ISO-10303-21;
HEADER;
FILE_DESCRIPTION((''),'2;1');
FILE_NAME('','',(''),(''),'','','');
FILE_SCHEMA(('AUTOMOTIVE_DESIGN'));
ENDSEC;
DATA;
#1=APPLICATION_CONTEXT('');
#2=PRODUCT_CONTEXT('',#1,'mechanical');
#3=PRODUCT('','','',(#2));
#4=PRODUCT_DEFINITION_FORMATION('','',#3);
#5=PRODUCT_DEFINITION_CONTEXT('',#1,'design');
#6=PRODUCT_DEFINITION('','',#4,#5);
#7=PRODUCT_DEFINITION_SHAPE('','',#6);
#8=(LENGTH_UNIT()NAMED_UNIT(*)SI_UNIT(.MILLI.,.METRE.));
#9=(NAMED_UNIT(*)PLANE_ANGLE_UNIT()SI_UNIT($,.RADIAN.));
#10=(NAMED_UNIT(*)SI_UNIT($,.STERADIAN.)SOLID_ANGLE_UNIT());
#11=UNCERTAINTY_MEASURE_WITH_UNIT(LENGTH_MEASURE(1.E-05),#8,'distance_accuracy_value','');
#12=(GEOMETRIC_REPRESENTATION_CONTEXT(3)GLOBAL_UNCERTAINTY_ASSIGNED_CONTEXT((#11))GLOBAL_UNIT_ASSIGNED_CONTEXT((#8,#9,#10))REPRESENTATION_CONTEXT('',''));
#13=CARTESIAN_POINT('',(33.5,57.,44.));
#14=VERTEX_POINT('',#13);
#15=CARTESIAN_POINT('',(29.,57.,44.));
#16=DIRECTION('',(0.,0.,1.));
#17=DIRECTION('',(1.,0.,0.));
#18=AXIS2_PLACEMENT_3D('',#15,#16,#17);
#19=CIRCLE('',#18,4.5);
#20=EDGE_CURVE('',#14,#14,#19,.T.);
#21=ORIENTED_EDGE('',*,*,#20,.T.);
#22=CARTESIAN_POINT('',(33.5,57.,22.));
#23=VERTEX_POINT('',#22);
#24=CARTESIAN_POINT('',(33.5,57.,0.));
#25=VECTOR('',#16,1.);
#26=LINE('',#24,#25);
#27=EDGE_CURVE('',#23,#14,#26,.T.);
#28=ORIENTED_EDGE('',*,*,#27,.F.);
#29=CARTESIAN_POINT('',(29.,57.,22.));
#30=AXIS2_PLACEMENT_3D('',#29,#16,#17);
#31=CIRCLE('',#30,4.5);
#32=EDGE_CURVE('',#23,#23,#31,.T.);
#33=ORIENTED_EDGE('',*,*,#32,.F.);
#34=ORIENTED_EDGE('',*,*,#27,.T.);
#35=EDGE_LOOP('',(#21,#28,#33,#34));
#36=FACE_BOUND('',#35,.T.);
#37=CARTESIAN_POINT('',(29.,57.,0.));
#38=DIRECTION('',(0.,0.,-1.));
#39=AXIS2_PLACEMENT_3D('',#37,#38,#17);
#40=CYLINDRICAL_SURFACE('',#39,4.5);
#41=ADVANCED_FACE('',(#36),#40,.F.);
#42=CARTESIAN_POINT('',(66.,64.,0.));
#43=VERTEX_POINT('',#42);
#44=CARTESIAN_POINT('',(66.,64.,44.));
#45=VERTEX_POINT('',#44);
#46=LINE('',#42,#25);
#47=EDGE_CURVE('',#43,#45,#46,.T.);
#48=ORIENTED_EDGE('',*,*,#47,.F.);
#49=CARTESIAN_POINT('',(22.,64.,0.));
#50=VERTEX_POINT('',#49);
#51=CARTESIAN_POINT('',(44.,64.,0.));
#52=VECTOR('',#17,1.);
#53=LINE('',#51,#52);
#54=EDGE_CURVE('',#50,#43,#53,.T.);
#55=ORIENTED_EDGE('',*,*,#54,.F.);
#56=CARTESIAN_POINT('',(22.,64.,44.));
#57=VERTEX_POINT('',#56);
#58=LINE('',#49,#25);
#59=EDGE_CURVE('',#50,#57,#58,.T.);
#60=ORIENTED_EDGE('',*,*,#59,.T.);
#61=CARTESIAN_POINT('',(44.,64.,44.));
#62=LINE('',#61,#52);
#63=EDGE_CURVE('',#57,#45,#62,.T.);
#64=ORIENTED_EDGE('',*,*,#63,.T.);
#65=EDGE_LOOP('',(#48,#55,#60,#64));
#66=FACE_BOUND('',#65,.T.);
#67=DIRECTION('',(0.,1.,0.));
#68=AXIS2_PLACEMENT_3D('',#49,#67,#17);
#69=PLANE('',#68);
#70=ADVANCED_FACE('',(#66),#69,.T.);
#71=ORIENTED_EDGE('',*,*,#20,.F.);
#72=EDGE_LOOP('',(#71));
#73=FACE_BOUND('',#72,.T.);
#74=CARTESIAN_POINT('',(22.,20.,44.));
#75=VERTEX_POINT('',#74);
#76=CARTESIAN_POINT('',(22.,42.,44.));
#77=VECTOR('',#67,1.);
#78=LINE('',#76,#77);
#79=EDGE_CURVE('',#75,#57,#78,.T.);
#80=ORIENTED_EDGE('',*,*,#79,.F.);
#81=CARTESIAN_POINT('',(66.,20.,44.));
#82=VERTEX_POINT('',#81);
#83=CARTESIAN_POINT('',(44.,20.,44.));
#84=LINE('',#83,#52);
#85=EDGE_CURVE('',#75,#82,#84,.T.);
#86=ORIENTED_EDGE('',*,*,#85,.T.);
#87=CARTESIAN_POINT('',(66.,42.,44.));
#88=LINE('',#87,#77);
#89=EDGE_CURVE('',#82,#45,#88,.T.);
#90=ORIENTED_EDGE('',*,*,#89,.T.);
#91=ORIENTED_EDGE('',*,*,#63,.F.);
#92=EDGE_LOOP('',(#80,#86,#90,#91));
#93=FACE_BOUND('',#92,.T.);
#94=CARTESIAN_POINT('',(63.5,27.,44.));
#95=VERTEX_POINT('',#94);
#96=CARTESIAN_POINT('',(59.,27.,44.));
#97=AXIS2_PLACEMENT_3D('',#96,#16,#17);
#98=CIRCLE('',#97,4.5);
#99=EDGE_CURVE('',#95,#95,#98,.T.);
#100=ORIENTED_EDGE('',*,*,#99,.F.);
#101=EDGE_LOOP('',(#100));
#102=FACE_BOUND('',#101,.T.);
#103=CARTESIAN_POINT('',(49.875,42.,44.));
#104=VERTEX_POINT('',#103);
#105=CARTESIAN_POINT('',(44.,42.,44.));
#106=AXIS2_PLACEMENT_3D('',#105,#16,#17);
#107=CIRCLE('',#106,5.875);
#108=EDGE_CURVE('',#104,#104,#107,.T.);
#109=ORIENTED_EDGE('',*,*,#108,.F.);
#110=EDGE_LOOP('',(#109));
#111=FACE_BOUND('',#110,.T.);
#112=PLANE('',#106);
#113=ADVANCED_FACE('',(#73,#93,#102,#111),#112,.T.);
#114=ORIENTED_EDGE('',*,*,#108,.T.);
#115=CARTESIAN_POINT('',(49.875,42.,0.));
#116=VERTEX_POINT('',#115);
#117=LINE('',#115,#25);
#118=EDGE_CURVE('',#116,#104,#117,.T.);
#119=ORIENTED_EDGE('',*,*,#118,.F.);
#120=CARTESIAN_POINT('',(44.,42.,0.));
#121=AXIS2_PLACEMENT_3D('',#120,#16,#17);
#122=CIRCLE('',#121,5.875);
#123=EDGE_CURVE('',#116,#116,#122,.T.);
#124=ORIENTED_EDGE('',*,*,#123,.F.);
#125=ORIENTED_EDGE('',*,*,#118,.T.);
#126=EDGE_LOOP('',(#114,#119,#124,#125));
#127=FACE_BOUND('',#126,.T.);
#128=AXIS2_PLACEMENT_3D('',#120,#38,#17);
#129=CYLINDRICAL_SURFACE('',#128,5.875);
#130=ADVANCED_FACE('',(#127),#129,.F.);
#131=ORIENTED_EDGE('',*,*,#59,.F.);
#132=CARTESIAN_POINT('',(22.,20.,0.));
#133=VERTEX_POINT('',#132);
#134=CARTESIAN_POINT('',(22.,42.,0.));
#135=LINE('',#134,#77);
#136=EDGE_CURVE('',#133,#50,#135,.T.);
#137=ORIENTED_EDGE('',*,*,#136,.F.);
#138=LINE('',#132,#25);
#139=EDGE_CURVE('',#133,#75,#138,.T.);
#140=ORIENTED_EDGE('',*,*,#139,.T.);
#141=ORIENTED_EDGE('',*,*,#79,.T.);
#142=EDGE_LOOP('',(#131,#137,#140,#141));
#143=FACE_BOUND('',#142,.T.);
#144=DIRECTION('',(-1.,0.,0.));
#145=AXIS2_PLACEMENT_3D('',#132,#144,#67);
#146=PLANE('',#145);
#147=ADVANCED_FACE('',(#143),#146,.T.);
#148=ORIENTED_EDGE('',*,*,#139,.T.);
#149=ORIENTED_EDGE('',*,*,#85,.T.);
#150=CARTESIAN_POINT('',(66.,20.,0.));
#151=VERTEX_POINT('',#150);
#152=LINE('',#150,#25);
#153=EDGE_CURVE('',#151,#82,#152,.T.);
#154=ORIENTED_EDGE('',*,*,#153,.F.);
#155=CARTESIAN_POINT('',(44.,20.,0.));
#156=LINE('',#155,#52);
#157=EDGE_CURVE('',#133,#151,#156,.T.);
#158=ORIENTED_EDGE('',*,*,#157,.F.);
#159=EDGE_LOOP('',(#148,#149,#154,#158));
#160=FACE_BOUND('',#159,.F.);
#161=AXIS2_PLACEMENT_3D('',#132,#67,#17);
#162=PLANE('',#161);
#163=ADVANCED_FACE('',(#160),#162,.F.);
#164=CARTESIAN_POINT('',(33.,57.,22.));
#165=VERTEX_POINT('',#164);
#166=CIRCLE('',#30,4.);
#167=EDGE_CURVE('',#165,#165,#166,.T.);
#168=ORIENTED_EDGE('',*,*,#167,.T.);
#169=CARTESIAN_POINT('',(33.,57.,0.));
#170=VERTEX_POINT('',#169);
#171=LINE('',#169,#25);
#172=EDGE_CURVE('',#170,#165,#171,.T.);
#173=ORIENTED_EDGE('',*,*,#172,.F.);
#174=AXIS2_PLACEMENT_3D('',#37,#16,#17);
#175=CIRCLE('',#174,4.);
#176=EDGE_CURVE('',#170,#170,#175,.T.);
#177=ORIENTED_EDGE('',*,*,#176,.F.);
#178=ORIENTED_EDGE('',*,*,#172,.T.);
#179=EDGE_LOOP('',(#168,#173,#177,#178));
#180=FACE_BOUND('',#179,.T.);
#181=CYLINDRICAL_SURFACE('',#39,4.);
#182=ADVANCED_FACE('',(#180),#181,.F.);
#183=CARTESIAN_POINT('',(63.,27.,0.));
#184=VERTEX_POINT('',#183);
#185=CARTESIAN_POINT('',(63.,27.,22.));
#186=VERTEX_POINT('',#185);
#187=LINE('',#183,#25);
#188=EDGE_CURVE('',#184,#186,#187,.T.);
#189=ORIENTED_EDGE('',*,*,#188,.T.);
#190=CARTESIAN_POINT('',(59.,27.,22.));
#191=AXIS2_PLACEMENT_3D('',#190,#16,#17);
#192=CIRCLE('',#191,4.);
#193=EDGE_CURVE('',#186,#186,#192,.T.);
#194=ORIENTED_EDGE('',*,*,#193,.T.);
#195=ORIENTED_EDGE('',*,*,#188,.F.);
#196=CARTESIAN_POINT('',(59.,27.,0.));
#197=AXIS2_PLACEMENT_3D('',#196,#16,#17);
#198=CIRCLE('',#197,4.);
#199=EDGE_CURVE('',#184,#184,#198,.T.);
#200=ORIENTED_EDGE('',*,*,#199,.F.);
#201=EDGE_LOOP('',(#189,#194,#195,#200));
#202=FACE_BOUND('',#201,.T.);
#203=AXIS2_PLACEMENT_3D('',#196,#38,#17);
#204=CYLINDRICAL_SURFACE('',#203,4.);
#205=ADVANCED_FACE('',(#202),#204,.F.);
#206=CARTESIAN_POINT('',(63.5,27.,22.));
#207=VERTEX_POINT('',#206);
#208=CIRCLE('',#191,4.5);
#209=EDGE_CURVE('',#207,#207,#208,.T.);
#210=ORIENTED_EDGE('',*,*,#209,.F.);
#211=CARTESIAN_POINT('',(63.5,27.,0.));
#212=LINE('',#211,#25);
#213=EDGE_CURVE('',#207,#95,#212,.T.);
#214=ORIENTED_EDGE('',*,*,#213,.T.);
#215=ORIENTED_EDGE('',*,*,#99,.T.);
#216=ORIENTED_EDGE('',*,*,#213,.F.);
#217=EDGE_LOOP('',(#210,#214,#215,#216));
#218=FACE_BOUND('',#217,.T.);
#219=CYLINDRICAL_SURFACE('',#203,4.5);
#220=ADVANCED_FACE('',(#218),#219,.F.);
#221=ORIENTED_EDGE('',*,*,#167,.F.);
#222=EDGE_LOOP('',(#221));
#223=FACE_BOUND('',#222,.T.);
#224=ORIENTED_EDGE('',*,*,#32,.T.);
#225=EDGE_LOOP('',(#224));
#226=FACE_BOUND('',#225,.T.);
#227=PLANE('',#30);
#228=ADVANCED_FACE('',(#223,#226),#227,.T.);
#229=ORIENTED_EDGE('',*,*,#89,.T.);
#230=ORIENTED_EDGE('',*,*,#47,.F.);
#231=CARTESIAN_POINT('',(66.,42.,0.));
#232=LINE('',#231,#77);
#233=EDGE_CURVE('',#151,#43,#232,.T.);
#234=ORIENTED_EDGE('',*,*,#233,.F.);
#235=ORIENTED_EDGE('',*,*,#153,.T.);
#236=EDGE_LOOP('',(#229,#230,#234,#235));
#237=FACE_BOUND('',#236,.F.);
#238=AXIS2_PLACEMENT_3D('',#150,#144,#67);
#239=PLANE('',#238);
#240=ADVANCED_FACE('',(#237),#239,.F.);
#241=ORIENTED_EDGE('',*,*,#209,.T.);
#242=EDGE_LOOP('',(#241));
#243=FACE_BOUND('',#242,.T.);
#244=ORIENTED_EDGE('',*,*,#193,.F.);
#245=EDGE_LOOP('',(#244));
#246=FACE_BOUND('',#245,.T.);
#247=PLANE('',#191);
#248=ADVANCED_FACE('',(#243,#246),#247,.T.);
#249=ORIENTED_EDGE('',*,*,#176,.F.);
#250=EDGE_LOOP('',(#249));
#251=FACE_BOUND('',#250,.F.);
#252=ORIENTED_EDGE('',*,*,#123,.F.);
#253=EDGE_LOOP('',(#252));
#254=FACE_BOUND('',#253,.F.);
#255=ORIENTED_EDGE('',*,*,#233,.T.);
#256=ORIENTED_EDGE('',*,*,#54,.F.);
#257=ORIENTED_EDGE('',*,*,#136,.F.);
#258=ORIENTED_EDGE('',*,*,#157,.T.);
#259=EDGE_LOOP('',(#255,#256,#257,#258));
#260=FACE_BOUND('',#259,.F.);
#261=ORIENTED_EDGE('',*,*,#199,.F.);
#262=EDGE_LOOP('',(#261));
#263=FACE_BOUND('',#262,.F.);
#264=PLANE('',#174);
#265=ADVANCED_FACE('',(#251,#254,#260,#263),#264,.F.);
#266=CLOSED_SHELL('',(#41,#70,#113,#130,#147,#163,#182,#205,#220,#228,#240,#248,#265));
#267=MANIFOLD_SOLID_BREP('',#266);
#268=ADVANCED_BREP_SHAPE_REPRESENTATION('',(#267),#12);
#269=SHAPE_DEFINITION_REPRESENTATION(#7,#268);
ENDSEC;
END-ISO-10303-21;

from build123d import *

# Parameters (mm, degrees)
F0_W     = 44
F0_H     = 44
F0_R     = 4.5
F0_R_2   = 5.875
F1_DEPTH = 44
F0_R_3   = 4
F2_DEPTH = 22


with BuildPart() as f1:
    # F0 (on Top) → F1 (new body)
    with BuildSketch(Plane.XY):
        with Locations((44, 42)):
            Rectangle(F0_W, F0_H)
        with Locations((59, 27)):
            Circle(F0_R, mode=Mode.SUBTRACT)
        with Locations((29, 57)):
            Circle(F0_R, mode=Mode.SUBTRACT)
        with Locations((44, 42)):
            Circle(F0_R_2, mode=Mode.SUBTRACT)
    extrude(amount=F1_DEPTH)

    # F0 (on Top) → F2 (join)
    with BuildSketch(Plane.XY):
        with Locations((29, 57)):
            Circle(F0_R)
        with Locations((29, 57)):
            Circle(F0_R_3, mode=Mode.SUBTRACT)
        with Locations((59, 27)):
            Circle(F0_R)
        with Locations((59, 27)):
            Circle(F0_R_3, mode=Mode.SUBTRACT)
    extrude(amount=F2_DEPTH)


solid = f1.part
